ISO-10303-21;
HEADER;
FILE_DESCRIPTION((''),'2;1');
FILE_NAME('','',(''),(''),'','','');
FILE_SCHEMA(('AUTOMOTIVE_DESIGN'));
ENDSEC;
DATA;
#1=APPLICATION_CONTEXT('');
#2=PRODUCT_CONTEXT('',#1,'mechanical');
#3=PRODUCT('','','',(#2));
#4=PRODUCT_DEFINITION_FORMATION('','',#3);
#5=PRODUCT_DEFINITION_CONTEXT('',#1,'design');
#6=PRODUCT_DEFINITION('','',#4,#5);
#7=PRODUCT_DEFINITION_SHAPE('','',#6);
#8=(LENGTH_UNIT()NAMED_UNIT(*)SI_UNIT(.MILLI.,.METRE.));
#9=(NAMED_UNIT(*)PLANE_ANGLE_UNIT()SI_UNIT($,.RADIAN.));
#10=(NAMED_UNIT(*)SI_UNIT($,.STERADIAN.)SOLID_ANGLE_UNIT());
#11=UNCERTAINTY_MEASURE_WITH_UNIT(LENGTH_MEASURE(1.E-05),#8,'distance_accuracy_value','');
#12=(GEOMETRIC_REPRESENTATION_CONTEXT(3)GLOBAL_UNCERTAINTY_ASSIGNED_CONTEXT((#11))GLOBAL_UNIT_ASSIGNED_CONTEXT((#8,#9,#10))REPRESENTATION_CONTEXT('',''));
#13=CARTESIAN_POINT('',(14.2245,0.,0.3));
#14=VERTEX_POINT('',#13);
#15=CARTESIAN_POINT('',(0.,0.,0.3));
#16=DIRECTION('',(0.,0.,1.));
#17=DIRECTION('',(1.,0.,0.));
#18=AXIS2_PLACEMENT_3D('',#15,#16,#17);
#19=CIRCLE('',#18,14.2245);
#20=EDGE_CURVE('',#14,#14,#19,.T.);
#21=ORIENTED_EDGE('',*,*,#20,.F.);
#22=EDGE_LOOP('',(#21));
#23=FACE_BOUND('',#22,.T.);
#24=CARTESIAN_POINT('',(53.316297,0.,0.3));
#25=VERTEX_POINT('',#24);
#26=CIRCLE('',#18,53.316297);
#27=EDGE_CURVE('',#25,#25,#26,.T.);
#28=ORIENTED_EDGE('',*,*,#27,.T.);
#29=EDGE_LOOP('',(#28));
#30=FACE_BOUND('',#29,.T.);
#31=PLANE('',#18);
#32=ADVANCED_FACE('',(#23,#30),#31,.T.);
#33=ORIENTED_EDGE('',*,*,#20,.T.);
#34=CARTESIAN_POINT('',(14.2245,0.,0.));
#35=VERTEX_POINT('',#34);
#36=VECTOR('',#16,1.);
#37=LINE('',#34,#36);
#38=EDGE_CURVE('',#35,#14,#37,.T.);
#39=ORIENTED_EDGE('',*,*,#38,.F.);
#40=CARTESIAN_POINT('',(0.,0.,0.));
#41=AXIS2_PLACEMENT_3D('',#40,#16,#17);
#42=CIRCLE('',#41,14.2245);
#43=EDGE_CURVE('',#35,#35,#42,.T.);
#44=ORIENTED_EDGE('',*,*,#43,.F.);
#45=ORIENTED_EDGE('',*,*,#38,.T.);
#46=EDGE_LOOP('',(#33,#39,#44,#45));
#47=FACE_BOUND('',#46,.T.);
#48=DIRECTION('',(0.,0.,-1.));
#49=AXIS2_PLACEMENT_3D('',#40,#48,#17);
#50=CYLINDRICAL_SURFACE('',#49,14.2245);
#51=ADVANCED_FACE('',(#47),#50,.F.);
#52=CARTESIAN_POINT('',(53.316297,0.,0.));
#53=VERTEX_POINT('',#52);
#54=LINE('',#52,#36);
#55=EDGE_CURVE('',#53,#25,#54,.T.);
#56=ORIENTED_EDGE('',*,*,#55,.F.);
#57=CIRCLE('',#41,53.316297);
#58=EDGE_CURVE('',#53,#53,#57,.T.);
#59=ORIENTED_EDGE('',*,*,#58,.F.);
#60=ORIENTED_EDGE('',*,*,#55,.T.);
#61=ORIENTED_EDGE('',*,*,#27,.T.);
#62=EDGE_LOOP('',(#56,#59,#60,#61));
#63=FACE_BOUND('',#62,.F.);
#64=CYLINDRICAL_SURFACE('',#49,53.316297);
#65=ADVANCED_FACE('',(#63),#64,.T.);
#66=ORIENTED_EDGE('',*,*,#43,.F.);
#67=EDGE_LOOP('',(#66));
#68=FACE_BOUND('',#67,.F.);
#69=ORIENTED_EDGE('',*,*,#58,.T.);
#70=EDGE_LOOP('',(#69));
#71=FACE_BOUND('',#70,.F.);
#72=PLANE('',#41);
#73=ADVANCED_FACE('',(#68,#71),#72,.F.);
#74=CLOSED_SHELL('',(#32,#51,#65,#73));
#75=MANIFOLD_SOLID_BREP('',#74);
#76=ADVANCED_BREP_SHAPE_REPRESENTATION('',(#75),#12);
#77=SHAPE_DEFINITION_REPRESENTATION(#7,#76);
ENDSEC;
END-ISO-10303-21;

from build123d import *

# Parameters (mm, degrees)
F0_R     = 53.3162966907
F0_R_2   = 50.3162966907
F0_R_3   = 14.2245
F1_DEPTH = 0.3


with BuildPart() as f1:
    # F0 (on Top) → F1 (new body)
    with BuildSketch(Plane.XY):
        Circle(F0_R)
        Circle(F0_R_2, mode=Mode.SUBTRACT)
        Circle(F0_R_2)
        Circle(F0_R_3, mode=Mode.SUBTRACT)
    extrude(amount=F1_DEPTH)


solid = f1.part
